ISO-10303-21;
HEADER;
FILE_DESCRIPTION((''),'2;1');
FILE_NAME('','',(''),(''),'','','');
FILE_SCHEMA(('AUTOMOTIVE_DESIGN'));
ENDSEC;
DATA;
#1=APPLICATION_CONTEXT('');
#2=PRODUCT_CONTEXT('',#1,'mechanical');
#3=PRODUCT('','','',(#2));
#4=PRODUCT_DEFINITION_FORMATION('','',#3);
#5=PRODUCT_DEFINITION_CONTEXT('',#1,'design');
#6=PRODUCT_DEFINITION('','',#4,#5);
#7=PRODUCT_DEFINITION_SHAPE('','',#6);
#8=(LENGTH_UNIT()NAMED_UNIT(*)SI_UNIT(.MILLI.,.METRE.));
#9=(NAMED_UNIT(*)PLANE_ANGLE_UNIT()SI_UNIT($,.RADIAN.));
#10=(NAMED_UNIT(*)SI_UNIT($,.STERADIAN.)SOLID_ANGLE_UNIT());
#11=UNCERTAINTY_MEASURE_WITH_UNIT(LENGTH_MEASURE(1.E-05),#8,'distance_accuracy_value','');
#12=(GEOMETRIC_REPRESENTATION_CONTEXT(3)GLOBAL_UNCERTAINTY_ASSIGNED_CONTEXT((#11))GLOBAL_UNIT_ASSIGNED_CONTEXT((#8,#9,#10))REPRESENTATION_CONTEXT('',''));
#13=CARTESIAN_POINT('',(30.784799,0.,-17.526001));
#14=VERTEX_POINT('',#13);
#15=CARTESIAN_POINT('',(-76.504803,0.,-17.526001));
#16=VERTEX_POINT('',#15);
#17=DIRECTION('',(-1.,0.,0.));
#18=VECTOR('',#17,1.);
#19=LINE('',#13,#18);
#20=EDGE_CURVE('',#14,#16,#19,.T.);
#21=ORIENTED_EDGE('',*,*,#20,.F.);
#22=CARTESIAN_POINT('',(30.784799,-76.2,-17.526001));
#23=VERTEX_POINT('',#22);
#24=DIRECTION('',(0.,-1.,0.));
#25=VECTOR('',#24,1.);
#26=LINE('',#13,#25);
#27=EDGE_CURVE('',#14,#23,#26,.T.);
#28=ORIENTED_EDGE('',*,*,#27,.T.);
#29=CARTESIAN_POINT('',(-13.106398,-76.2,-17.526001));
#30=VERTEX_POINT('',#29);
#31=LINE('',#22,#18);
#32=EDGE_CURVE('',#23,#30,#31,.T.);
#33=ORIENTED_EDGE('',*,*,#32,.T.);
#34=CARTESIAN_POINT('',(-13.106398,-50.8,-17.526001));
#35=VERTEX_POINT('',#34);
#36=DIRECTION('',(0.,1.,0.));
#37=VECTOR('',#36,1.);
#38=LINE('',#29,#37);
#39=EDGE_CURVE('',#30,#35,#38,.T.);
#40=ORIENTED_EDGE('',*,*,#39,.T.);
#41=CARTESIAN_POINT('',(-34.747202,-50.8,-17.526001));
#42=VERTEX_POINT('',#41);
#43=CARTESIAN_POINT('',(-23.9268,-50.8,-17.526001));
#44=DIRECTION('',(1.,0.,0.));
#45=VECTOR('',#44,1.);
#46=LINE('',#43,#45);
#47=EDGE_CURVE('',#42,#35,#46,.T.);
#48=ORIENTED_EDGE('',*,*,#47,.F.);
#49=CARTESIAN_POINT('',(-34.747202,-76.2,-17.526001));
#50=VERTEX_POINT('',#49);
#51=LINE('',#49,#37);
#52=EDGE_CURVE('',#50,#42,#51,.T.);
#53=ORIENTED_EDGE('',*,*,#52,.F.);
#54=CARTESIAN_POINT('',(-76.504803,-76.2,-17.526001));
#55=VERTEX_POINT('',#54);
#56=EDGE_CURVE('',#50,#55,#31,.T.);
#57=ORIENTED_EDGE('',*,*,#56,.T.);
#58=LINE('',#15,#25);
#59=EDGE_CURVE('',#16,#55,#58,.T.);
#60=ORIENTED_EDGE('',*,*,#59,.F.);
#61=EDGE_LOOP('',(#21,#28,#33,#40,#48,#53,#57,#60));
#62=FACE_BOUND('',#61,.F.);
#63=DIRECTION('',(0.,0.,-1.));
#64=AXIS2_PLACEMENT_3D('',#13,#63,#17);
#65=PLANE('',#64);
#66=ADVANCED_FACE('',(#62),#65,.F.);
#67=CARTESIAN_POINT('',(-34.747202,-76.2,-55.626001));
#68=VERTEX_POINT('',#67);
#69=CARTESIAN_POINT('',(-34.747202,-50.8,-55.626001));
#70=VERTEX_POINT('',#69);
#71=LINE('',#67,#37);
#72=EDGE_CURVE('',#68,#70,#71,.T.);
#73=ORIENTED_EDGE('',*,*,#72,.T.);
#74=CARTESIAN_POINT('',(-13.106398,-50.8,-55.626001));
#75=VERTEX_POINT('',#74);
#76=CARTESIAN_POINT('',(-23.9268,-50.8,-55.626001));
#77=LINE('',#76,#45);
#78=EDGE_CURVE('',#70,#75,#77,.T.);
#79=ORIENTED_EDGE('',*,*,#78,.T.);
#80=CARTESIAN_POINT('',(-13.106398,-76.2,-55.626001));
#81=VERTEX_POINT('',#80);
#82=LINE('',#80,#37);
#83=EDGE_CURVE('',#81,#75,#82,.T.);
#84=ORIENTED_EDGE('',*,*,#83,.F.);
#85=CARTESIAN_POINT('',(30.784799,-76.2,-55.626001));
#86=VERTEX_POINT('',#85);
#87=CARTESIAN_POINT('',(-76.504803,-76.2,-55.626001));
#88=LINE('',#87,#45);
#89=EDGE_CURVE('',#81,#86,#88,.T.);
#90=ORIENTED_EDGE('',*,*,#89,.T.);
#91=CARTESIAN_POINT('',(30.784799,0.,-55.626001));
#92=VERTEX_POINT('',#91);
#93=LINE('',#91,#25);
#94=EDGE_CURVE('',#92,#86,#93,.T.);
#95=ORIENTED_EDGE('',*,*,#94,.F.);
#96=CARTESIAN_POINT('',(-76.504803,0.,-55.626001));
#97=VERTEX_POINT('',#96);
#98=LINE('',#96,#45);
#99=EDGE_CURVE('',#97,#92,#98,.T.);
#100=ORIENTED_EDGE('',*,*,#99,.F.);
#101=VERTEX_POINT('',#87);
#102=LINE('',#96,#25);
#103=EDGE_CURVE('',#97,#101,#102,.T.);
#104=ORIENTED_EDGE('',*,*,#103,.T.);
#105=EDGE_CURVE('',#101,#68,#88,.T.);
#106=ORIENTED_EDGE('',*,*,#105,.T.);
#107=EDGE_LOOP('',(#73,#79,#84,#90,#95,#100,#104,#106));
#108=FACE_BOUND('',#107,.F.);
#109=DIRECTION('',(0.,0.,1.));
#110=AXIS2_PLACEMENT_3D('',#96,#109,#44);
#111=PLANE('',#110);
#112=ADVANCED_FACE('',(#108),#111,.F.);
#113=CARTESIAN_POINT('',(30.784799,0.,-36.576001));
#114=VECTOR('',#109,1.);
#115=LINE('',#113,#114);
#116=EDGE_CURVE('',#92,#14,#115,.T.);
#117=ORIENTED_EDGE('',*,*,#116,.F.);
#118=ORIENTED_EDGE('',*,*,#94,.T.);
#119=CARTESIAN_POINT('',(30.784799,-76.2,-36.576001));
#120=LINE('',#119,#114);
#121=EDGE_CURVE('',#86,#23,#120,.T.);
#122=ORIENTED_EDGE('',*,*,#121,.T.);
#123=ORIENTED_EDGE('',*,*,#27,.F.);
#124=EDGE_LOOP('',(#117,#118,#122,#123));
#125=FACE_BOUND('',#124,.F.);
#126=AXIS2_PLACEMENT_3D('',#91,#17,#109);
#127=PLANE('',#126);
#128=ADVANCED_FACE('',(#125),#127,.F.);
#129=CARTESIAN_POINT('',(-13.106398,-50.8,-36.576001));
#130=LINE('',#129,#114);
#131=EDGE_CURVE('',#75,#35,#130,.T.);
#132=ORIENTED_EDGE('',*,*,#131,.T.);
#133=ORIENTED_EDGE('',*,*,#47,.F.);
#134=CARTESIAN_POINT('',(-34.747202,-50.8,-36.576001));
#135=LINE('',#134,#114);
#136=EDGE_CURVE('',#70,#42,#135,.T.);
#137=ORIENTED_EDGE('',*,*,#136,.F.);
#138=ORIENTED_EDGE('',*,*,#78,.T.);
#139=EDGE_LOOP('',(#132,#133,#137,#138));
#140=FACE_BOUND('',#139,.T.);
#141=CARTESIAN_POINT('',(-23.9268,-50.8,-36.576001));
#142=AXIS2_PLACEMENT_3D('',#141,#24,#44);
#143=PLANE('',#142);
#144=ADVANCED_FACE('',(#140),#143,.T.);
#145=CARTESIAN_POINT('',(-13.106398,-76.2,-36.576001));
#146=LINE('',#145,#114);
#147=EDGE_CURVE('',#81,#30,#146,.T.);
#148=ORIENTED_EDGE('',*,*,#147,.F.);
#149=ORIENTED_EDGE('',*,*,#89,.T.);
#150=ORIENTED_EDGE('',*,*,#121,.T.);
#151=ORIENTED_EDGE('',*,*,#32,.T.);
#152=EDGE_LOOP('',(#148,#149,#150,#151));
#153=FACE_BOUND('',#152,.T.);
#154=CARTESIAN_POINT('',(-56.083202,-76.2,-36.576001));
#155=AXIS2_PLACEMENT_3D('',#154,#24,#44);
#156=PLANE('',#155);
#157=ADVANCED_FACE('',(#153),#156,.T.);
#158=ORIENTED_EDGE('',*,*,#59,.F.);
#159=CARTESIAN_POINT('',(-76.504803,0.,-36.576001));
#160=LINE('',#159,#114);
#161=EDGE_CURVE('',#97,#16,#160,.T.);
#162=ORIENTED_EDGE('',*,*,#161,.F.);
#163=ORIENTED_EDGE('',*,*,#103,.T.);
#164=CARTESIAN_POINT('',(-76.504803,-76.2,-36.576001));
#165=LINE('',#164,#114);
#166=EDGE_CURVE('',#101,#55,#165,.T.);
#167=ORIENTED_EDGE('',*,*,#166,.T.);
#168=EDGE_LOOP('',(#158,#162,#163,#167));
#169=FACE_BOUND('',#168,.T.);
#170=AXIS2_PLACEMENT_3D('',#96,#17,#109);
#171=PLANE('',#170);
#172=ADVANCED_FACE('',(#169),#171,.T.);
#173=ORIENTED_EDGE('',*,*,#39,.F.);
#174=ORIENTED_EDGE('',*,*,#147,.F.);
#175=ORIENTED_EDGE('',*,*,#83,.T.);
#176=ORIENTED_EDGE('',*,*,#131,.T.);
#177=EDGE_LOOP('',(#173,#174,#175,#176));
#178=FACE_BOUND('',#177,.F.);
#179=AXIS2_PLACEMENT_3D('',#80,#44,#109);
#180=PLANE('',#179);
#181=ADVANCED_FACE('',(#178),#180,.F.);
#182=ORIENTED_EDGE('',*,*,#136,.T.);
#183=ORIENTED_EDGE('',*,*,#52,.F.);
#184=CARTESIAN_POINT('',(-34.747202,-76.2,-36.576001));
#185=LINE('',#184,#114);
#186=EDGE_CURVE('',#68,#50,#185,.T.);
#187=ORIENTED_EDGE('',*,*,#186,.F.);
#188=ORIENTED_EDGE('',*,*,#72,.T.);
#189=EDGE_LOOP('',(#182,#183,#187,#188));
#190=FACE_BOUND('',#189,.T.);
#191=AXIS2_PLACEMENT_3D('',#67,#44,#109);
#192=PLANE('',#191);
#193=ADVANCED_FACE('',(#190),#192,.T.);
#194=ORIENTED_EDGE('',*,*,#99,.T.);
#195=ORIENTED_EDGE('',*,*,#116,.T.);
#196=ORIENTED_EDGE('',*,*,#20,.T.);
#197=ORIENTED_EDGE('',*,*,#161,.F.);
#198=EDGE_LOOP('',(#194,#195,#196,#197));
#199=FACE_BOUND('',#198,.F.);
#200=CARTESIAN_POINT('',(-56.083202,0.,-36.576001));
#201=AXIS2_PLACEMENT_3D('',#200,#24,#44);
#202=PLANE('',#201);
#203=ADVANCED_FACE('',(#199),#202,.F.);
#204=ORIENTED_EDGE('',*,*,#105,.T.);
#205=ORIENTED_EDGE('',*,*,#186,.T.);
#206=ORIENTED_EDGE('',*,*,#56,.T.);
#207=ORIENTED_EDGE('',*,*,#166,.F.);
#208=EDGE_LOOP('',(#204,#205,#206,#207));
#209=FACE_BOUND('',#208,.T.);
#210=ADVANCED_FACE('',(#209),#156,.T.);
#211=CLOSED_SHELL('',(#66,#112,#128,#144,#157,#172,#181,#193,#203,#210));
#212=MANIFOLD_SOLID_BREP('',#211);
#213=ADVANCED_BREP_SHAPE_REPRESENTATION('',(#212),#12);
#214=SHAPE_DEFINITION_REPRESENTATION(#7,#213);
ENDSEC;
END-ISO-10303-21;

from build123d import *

# Parameters (mm, degrees)
F0_W     = 40.843203
F0_H     = 38.1
F0_W_2   = 25.603201
F0_W_3   = 40.843199
F1_DEPTH = 76.2
F2_W     = 21.640803
F2_H     = 38.1
F3_DEPTH = 25.4


with BuildPart() as f1:
    # F0 (on Front) → F1 (new body)
    with BuildSketch(Plane.XZ):
        with Locations((-56.083202, -36.576001)):
            Rectangle(F0_W, F0_H)
        with Locations((-22.86, -36.576001)):
            Rectangle(F0_W_2, F0_H)
        with Locations((10.3632, -36.576001)):
            Rectangle(F0_W_3, F0_H)
    extrude(amount=F1_DEPTH)

    # F2 (on face) → F3 (cut)
    with BuildSketch(Plane.XZ.offset(76.2)):
        with Locations((-23.9268, -36.576001)):
            Rectangle(F2_W, F2_H)
    extrude(amount=-F3_DEPTH, mode=Mode.SUBTRACT)


solid = f1.part
